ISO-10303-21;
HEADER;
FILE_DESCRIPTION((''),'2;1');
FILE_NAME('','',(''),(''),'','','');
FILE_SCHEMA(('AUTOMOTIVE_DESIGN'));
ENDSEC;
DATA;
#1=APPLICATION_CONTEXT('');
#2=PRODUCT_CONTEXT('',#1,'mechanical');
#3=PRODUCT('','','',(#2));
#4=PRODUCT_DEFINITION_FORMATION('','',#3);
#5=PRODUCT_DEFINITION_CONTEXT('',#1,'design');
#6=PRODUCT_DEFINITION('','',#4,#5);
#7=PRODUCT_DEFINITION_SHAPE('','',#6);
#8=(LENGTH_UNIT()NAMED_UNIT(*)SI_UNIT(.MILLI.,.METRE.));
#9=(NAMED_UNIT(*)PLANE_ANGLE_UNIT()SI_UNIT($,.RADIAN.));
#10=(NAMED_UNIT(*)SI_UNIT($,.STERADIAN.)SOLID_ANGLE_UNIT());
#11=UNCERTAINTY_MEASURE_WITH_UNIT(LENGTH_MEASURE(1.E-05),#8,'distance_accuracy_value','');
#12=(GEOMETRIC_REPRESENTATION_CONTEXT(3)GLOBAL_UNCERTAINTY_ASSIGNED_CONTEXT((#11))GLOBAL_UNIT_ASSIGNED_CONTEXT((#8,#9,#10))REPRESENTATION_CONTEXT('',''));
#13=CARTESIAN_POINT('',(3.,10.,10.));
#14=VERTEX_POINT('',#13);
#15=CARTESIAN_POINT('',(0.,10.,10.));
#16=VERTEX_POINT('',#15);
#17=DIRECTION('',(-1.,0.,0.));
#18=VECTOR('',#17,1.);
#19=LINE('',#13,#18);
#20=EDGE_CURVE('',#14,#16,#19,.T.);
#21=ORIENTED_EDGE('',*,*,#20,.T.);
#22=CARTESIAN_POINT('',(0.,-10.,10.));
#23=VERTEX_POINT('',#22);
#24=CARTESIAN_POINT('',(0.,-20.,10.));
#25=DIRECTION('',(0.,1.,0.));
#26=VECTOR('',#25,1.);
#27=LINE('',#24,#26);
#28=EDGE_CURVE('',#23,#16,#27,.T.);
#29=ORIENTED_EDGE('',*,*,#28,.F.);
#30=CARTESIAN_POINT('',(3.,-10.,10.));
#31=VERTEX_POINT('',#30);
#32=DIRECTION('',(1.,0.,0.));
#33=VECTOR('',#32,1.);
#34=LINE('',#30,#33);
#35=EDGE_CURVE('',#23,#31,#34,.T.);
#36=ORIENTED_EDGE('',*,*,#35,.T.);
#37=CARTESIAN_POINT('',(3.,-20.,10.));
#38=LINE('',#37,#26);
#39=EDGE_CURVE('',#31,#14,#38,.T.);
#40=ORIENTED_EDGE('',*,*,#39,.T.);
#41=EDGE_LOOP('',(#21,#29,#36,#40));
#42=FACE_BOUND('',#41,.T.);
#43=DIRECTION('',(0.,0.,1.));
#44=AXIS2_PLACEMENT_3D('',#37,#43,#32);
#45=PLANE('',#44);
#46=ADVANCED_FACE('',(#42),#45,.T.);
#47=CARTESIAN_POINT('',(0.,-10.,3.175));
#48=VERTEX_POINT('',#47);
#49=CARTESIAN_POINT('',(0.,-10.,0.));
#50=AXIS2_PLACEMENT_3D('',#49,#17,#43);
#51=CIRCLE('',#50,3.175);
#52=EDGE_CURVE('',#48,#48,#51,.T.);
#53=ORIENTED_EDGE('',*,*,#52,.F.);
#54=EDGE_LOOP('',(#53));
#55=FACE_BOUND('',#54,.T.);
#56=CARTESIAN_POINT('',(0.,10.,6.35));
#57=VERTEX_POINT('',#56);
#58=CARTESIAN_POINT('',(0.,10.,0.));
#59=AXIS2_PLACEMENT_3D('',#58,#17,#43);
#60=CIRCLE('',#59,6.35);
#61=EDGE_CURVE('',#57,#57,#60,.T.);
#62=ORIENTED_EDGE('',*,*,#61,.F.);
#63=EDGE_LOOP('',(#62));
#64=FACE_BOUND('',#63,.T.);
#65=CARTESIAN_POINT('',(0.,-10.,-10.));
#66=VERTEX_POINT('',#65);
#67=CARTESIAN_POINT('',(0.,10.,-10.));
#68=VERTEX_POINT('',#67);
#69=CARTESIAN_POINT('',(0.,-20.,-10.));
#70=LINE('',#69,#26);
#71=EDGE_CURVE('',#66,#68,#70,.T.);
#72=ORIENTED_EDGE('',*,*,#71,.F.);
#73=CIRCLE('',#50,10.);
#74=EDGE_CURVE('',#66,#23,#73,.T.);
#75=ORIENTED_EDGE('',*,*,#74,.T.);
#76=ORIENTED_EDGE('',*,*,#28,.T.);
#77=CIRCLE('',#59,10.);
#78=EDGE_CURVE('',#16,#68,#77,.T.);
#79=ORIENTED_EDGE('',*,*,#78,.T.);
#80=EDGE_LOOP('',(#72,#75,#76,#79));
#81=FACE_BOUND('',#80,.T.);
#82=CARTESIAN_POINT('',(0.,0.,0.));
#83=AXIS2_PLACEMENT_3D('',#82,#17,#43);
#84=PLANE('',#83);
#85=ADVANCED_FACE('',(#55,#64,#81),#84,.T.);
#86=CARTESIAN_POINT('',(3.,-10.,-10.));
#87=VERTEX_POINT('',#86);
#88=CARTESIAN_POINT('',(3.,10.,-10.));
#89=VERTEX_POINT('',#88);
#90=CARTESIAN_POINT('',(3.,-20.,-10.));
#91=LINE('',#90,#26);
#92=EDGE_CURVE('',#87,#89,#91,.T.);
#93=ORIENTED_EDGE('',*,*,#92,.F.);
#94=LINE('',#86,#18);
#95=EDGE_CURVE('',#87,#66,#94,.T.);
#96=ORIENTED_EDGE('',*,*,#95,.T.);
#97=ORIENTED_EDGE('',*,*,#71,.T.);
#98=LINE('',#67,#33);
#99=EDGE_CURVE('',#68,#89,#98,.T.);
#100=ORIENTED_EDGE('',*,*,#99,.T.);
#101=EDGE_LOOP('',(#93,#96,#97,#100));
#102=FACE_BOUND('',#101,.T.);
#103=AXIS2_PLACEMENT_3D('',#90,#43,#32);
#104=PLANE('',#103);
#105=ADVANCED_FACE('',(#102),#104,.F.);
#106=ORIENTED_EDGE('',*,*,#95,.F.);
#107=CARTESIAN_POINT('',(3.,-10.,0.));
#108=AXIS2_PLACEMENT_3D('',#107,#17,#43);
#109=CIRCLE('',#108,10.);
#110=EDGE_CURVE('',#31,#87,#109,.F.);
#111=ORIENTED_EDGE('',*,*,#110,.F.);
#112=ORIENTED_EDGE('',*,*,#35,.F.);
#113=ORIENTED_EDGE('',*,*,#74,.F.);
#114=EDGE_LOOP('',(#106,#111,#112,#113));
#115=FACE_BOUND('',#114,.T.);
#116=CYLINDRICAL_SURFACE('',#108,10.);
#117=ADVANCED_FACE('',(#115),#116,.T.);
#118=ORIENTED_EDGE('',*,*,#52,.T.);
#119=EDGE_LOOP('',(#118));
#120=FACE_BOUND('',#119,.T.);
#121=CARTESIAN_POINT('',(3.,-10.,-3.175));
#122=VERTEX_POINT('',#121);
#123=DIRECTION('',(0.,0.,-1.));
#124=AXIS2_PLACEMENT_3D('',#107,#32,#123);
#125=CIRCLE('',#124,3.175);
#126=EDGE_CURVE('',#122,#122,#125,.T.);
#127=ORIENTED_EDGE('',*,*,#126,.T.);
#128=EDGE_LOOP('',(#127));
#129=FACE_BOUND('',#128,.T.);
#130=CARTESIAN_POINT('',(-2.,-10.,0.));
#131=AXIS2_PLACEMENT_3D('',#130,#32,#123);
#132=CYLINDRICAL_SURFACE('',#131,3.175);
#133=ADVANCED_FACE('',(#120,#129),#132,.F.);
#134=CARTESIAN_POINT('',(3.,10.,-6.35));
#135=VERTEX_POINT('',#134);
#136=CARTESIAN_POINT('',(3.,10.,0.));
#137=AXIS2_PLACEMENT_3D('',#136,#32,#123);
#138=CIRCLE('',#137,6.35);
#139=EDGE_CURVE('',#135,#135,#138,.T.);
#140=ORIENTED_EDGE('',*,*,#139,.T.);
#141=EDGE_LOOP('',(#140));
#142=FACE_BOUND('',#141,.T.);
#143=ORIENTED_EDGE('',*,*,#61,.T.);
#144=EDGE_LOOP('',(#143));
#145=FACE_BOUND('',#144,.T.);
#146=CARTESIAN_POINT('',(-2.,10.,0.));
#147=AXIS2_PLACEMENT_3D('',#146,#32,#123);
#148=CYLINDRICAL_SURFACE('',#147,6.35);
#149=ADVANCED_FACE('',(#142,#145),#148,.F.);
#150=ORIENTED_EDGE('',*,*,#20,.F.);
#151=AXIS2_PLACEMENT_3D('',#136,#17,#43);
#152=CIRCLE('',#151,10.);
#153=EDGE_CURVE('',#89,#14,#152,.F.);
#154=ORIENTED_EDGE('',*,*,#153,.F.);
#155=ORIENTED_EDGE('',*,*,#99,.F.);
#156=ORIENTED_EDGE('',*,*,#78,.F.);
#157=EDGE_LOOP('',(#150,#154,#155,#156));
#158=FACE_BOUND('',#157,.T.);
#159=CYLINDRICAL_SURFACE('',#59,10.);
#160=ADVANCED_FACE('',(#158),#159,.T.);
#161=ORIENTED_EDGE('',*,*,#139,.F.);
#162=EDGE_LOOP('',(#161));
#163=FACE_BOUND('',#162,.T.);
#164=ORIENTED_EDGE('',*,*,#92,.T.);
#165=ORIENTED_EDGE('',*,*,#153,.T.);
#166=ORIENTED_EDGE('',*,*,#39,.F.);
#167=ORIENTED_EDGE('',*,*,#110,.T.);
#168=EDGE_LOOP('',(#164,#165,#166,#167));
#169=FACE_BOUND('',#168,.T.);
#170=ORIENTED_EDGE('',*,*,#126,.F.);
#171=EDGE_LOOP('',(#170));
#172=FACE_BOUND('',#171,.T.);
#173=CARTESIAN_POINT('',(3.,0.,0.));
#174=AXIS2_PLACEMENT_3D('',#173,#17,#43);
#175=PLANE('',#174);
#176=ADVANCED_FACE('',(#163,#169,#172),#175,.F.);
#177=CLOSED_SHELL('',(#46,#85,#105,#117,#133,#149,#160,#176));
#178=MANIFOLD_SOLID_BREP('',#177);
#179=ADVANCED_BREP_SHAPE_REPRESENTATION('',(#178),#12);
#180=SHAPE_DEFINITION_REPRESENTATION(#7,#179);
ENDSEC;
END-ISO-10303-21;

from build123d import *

# Parameters (mm, degrees)
SKETCH3_W           = 20
SKETCH3_H           = 40
BOSS_EXTRUDE1_DEPTH = 3
SKETCH4_R           = 6.35
SKETCH4_R_2         = 3.175
CUT_EXTRUDE1_DEPTH  = 5
FILLET2_RADIUS      = 10
FILLET2_LENGTH      = 3
FILLET3_RADIUS      = 10
FILLET3_LENGTH      = 3


with BuildPart() as part:
    # Sketch3 → Boss-Extrude1 (new body)
    with BuildSketch(Plane(origin=(0, 0, 0), x_dir=(0, 0, -1), z_dir=(1, 0, 0))):
        Rectangle(SKETCH3_W, SKETCH3_H)
    extrude(amount=BOSS_EXTRUDE1_DEPTH)

    # Sketch4 → Cut-Extrude1 (cut)
    with BuildSketch(Plane(origin=(3, 0, 0), x_dir=(0, 0, -1), z_dir=(1, 0, 0))):
        with Locations((0, 10)):
            Circle(SKETCH4_R)
        with Locations((0, -10)):
            Circle(SKETCH4_R_2)
    extrude(amount=-CUT_EXTRUDE1_DEPTH, mode=Mode.SUBTRACT)

    # Fillet2: full round fillet: the end face becomes a half cylinder, R = half its width
    fillet2_face = Plane((1.5, -20, 0), x_dir=(-1, 0, 0), z_dir=(0, -1, 0))  # on the end face: x along it, z out of the body
    fillet2_slab = fillet2_face.offset(-FILLET2_RADIUS / 2) * Box(FILLET2_LENGTH, 2 * FILLET2_RADIUS, FILLET2_RADIUS, mode=Mode.PRIVATE)  # the body's end, R deep
    fillet2_round = Plane((1.5, -10, 0), x_dir=(0, -1, 0), z_dir=(-1, 0, 0)) * Cylinder(FILLET2_RADIUS, FILLET2_LENGTH, mode=Mode.PRIVATE)  # its axis R under the face
    add(fillet2_slab - fillet2_round, mode=Mode.SUBTRACT)

    # Fillet3: full round fillet: the end face becomes a half cylinder, R = half its width
    fillet3_face = Plane((1.5, 20, 0), x_dir=(-1, 0, 0), z_dir=(0, 1, 0))  # on the end face: x along it, z out of the body
    fillet3_slab = fillet3_face.offset(-FILLET3_RADIUS / 2) * Box(FILLET3_LENGTH, 2 * FILLET3_RADIUS, FILLET3_RADIUS, mode=Mode.PRIVATE)  # the body's end, R deep
    fillet3_round = Plane((1.5, 10, 0), x_dir=(0, 1, 0), z_dir=(-1, 0, 0)) * Cylinder(FILLET3_RADIUS, FILLET3_LENGTH, mode=Mode.PRIVATE)  # its axis R under the face
    add(fillet3_slab - fillet3_round, mode=Mode.SUBTRACT)


solid = part.part
